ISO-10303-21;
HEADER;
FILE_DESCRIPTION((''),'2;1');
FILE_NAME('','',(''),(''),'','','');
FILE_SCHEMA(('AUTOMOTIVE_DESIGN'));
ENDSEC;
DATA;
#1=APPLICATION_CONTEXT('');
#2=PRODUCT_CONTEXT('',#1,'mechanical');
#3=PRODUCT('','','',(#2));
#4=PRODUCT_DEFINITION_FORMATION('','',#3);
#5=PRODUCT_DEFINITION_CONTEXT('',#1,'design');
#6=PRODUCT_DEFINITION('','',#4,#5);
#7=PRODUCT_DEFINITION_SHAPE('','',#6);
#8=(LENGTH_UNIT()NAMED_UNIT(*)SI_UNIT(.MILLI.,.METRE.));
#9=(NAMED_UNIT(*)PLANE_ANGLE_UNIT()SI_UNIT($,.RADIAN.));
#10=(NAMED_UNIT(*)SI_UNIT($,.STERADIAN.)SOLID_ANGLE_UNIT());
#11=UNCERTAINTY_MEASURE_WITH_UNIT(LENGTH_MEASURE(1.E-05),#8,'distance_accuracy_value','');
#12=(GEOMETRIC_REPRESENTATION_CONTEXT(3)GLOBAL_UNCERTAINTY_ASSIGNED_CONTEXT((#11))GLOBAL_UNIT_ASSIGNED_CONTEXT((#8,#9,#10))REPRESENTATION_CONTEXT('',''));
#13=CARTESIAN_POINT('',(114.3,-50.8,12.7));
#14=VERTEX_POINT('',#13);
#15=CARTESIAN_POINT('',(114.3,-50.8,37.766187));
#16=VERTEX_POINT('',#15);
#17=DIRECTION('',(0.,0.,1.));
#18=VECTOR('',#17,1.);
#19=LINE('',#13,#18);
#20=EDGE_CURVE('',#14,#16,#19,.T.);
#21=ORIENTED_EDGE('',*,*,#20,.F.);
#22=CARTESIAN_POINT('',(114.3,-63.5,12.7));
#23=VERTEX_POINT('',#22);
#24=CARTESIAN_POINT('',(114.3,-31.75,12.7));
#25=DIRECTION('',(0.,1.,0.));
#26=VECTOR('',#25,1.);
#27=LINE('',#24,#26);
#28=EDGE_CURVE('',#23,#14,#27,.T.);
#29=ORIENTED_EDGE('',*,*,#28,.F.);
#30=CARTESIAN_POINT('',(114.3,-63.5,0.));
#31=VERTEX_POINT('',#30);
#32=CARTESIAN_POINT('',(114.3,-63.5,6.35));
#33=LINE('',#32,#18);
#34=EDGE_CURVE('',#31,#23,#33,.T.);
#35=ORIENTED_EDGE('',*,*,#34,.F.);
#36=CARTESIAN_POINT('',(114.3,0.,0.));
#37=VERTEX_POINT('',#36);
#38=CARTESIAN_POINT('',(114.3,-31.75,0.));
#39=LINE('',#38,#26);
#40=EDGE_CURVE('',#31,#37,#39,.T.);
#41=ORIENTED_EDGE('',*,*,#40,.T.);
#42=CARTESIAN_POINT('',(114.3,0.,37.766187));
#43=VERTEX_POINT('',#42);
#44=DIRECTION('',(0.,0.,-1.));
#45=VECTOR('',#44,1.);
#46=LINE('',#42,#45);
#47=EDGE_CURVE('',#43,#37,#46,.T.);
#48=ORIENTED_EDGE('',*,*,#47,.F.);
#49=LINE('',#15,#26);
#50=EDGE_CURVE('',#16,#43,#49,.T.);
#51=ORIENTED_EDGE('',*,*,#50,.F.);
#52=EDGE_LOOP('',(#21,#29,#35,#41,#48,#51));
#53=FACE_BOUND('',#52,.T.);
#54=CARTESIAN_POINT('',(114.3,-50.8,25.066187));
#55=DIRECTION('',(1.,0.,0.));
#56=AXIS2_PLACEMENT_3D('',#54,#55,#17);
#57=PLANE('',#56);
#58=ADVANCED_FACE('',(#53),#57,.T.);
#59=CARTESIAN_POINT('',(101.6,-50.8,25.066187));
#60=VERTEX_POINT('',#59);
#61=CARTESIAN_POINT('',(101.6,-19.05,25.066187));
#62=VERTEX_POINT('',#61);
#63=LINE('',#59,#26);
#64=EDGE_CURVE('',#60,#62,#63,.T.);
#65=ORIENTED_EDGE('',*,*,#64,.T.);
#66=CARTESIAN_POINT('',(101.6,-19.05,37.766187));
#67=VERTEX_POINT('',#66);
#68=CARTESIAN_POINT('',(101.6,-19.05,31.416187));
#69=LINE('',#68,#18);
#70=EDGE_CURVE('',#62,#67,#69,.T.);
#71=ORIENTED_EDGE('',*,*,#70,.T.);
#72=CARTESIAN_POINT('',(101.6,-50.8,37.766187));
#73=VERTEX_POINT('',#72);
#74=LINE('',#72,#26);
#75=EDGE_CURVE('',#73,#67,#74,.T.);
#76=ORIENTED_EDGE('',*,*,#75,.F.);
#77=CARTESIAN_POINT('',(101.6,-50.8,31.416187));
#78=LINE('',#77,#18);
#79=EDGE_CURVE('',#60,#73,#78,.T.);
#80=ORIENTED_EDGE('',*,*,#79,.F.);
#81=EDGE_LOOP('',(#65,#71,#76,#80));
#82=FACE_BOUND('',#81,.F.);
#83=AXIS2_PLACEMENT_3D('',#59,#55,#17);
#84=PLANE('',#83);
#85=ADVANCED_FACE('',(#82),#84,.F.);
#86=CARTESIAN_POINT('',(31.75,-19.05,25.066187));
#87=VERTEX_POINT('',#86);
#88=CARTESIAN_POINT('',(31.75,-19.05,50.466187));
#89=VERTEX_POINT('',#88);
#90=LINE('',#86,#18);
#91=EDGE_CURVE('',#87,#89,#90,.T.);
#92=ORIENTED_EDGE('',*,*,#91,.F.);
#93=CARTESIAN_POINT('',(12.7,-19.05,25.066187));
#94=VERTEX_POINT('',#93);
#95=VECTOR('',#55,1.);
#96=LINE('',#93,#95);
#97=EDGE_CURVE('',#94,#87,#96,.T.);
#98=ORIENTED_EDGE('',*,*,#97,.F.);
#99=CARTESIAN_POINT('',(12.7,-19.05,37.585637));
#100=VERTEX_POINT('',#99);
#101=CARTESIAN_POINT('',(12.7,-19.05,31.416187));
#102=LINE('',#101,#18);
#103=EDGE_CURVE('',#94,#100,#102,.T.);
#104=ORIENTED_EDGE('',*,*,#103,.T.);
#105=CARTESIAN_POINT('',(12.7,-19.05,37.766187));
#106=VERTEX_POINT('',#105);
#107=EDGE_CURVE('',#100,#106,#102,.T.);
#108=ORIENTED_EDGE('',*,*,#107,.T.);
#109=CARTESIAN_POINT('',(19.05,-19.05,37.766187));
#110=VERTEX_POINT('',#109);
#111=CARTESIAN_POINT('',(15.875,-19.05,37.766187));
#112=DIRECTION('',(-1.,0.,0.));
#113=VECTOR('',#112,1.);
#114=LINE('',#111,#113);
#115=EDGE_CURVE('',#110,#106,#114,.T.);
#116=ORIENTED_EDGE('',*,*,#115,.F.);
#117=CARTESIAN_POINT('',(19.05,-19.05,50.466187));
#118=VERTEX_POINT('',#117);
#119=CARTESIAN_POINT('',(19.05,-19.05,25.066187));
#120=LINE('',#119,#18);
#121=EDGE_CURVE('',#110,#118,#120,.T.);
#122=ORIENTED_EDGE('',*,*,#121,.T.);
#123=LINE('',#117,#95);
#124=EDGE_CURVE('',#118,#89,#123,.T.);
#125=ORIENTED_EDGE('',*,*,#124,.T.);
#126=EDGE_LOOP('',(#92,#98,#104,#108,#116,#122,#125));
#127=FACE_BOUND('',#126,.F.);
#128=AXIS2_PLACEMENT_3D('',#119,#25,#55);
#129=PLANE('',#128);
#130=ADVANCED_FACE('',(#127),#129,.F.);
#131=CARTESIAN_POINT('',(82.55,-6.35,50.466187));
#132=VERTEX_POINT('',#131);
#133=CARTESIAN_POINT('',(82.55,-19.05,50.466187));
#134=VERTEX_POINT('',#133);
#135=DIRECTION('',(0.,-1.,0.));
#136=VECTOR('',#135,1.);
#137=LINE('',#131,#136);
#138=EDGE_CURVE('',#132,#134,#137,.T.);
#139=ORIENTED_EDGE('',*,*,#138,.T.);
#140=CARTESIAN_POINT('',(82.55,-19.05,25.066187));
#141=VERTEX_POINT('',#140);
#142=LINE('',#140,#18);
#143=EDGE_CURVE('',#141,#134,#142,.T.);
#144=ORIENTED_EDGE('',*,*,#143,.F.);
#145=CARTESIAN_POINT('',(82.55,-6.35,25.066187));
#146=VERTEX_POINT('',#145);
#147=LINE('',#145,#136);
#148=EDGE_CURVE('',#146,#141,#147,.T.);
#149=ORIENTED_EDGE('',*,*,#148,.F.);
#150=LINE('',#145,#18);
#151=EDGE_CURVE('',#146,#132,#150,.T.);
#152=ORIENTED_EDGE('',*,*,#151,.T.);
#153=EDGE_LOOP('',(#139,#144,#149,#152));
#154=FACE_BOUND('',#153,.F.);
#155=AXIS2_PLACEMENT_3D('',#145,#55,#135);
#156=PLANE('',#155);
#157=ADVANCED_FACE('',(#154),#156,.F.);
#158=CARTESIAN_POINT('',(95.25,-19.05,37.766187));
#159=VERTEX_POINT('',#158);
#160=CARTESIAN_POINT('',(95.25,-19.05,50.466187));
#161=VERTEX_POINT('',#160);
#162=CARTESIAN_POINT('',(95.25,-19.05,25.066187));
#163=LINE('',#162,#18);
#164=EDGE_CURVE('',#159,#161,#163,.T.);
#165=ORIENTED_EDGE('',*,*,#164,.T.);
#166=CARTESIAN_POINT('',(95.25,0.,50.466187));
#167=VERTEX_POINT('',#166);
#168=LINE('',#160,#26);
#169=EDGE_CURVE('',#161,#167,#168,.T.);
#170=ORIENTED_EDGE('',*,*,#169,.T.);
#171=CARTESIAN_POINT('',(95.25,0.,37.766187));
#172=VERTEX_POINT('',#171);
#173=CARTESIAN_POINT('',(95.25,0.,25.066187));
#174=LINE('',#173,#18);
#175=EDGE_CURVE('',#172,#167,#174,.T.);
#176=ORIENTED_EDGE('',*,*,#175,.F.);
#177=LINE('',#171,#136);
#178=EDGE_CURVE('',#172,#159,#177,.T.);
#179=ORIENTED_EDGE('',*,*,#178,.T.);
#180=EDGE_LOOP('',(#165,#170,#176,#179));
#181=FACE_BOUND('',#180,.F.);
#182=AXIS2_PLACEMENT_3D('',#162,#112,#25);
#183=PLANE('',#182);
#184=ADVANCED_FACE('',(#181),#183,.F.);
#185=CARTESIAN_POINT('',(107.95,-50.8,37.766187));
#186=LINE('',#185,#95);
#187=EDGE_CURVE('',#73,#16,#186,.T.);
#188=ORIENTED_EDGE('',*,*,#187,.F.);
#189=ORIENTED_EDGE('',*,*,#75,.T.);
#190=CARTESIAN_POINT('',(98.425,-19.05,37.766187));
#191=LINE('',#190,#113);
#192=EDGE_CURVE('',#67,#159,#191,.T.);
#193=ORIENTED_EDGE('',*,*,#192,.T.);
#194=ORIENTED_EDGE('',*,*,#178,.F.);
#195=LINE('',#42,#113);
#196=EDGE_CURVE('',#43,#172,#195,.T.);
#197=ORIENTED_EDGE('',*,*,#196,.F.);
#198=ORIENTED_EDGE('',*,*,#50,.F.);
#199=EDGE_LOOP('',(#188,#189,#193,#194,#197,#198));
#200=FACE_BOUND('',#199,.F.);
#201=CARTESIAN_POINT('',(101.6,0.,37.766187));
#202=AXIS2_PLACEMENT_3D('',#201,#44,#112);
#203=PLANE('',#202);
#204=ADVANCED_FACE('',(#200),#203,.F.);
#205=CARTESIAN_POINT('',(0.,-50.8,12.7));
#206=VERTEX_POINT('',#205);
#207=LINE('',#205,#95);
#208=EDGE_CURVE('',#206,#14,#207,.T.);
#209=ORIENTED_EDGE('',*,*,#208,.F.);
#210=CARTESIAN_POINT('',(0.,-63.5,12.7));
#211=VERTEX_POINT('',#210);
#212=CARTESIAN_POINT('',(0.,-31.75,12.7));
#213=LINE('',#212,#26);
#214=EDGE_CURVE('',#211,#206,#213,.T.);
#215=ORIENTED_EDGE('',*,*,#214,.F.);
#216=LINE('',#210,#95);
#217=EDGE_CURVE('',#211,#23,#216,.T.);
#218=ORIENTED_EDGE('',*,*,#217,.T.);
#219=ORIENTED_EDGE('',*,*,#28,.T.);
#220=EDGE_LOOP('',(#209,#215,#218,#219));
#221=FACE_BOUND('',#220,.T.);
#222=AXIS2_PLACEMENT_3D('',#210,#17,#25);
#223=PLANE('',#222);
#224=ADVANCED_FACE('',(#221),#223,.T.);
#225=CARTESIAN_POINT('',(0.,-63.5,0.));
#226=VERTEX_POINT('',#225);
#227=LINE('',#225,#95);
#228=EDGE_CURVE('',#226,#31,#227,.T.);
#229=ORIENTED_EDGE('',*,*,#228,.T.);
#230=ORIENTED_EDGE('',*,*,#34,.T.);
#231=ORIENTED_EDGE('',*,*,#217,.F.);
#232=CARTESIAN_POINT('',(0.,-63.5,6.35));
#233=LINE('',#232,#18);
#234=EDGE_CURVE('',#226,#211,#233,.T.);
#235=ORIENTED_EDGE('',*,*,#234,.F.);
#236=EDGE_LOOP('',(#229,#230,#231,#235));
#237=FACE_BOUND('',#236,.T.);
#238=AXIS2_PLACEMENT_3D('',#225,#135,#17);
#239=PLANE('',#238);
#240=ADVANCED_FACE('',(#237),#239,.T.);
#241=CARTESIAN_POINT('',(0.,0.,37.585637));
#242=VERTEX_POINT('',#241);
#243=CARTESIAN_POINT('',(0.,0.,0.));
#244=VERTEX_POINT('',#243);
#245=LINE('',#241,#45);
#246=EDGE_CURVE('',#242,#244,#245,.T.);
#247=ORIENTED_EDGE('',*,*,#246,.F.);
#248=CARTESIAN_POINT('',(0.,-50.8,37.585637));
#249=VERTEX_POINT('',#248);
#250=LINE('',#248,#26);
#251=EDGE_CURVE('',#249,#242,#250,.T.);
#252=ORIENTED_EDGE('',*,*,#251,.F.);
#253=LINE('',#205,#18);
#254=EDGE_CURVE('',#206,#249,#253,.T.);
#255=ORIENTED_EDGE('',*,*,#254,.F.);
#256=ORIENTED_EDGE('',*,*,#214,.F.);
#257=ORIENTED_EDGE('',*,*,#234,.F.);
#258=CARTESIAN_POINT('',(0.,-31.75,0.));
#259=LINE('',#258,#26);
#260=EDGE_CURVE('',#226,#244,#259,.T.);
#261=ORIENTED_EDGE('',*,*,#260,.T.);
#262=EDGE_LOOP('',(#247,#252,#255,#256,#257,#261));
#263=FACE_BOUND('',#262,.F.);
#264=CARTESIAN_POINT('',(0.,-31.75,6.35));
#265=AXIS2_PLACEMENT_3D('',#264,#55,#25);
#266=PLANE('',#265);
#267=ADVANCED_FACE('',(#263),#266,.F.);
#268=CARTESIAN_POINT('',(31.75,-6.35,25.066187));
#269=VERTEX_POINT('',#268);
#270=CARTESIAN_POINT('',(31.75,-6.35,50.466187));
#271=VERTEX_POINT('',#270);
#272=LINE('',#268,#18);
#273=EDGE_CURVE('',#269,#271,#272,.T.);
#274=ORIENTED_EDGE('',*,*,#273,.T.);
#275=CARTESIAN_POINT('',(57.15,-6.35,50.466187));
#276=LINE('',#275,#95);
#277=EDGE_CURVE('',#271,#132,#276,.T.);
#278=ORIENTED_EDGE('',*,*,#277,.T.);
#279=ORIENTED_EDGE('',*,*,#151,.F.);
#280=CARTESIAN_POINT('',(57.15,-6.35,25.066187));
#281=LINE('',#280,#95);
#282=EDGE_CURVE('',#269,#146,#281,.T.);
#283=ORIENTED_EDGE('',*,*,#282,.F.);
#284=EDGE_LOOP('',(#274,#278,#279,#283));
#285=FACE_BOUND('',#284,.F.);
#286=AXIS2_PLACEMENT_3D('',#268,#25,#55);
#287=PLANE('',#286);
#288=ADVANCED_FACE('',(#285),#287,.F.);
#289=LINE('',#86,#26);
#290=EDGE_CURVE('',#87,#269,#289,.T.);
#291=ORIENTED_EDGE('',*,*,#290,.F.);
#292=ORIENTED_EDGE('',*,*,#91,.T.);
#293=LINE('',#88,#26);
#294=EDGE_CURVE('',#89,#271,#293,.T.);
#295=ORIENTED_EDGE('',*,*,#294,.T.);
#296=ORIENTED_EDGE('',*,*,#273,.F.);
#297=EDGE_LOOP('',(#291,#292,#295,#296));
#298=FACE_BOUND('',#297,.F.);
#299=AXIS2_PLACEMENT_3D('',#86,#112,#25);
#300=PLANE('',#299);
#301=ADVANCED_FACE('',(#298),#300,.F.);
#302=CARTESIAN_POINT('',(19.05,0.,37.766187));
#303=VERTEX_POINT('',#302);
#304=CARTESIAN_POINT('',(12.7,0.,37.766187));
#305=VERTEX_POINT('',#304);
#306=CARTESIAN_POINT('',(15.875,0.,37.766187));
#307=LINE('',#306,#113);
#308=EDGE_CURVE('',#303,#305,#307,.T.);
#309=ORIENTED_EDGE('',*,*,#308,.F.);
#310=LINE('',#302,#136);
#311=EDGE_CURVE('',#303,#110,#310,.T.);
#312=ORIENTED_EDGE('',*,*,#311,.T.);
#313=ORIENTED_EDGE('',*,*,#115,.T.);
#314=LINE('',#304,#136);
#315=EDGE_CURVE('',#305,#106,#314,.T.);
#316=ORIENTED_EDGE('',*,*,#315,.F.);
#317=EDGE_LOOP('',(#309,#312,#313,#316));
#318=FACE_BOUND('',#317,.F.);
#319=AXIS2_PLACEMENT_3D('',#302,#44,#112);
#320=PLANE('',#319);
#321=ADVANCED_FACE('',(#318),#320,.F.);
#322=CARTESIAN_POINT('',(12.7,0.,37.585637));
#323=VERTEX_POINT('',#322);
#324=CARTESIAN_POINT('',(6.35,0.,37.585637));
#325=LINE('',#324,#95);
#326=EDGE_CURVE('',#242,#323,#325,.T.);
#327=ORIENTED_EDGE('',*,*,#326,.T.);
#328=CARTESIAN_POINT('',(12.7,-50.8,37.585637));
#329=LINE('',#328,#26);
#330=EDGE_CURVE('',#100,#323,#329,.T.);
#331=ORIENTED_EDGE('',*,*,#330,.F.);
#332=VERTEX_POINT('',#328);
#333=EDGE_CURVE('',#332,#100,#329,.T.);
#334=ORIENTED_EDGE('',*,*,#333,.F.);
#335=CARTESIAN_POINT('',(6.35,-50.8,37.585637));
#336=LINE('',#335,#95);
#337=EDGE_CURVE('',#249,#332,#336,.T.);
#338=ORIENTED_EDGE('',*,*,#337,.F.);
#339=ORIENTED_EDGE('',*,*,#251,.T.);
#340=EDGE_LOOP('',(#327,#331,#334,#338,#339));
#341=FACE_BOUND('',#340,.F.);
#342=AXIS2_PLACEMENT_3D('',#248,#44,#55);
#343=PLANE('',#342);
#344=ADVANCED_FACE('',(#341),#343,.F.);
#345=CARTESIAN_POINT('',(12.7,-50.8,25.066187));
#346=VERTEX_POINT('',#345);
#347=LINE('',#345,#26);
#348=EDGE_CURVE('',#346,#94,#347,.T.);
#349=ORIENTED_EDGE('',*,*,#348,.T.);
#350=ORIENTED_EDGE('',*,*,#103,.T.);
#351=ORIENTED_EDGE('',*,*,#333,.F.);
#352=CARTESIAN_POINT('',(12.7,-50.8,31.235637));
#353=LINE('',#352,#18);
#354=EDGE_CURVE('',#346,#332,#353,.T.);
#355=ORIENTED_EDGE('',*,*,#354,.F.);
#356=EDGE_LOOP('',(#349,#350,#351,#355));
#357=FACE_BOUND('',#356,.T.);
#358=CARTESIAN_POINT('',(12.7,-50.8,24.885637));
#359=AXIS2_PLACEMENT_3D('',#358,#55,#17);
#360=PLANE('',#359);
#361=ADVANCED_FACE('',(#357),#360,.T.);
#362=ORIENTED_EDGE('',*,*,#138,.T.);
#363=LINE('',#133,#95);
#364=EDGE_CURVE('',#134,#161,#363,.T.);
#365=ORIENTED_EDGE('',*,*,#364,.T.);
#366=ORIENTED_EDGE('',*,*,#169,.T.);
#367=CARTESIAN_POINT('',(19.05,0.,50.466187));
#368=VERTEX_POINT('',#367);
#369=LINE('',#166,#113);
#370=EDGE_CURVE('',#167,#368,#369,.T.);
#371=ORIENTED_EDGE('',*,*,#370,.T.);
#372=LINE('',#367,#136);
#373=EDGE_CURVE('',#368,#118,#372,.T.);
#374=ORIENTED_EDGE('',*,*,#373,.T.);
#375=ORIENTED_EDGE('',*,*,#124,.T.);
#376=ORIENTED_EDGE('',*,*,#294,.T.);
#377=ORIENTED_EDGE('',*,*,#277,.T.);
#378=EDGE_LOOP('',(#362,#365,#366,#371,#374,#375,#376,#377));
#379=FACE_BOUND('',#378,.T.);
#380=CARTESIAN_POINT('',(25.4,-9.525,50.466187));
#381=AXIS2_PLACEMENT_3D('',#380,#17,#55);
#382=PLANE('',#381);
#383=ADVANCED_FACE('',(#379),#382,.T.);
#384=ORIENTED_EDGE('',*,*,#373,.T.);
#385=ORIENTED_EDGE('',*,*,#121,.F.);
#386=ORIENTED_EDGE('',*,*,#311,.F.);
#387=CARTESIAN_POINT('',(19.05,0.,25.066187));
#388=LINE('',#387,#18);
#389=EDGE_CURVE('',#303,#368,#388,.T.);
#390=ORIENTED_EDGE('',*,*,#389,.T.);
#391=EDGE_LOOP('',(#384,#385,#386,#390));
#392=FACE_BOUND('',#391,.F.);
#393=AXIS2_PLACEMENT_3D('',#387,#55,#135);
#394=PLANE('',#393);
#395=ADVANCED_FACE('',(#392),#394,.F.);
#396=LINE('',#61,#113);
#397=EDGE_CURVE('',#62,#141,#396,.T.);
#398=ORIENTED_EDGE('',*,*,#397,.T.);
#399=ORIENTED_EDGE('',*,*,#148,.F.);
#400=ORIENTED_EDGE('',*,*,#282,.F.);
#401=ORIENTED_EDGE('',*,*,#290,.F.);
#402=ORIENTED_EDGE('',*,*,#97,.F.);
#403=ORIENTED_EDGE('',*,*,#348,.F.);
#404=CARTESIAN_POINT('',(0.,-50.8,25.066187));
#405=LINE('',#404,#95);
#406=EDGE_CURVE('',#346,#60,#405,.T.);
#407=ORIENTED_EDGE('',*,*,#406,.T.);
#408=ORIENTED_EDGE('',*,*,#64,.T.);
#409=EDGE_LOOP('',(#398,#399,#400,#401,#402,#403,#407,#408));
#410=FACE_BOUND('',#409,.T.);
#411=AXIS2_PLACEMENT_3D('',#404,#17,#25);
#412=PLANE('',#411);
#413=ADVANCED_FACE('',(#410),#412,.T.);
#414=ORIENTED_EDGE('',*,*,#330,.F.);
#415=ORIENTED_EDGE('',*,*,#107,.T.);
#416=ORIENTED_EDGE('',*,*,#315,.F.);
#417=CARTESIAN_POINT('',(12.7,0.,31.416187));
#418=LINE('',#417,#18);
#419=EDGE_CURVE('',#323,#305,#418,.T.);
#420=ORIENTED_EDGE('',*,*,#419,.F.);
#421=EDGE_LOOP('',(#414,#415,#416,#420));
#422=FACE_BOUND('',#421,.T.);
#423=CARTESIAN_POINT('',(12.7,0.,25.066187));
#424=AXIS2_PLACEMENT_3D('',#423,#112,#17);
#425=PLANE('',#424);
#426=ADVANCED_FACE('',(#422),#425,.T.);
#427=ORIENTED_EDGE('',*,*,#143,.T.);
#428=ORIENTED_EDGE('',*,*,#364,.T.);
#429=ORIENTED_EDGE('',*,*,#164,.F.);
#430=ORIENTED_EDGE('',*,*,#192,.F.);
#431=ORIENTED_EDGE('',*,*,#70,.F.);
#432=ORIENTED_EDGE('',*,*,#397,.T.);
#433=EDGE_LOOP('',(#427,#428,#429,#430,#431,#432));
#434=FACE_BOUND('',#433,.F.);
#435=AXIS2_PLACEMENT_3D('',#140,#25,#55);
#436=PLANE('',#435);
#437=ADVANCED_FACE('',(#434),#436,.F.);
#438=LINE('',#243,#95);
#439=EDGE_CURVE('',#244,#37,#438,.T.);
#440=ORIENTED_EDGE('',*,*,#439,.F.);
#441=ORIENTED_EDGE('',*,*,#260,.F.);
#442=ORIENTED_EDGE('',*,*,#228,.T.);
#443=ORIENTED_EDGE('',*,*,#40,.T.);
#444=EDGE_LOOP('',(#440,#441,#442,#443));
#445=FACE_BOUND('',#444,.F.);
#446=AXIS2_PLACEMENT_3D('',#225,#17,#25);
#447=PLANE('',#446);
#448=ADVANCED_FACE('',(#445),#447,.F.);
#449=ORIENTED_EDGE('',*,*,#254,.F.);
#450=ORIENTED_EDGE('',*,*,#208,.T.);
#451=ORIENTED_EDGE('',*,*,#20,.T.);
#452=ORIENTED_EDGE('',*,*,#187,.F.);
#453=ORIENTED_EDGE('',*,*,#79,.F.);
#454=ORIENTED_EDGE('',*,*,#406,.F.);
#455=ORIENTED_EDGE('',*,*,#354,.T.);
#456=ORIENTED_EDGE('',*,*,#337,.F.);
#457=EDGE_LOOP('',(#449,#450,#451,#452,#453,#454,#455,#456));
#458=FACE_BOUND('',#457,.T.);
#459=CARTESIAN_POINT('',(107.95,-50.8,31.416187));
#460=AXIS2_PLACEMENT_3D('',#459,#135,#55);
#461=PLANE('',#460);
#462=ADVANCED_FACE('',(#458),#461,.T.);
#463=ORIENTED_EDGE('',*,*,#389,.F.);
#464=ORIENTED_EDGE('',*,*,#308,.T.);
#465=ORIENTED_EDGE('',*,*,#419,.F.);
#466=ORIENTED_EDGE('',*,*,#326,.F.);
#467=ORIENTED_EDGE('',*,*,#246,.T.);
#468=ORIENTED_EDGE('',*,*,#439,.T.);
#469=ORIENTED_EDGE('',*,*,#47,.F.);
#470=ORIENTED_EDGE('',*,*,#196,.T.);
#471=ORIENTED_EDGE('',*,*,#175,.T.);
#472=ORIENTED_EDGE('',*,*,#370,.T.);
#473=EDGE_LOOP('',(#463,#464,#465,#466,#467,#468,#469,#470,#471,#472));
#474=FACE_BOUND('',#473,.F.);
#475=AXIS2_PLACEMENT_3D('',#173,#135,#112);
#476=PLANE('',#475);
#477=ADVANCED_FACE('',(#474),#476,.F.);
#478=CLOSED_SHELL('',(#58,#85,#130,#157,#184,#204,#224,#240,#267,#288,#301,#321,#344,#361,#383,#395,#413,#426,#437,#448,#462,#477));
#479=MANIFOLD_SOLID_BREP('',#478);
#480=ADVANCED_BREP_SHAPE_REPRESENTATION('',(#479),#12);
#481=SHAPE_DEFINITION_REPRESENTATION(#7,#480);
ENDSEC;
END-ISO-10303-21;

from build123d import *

# Parameters (mm, degrees)
F0_W      = 63.5
F0_H      = 12.7
F1_DEPTH  = 114.3
F2_W      = 50.8
F2_H      = 12.7
F3_DEPTH  = 114.3
F6_W      = 12.7
F6_H      = 12.7
F7_DEPTH  = 50.8
F8_W      = 12.7
F8_H      = 12.7
F9_DEPTH  = 50.8
F10_W     = 6.35
F10_H     = 12.7
F11_DEPTH = 19.05
F12_DEPTH = 19.05
F13_W     = 50.8
F13_H     = 6.35
F14_DEPTH = 25.4


with BuildPart() as f1:
    # F0 (on Right) → F1 (new body)
    with BuildSketch(Plane.YZ):
        with Locations((-31.75, 6.35)):
            Rectangle(F0_W, F0_H)
    extrude(amount=F1_DEPTH)

    # F2 (on Right) → F3 (join)
    with BuildSketch(Plane.YZ):
        with Locations((-25.4, 18.7161865272)):
            Rectangle(F2_W, F2_H)
    extrude(amount=F3_DEPTH)

    # F6 (on offset) → F7 (join)
    with BuildSketch(Plane.XZ.offset(50.8)):
        with Locations((6.35, 31.2356372522)):
            Rectangle(F6_W, F6_H)
    extrude(amount=-F7_DEPTH)

    # F8 (on face) → F9 (join)
    with BuildSketch(Plane.XZ.offset(50.8)):
        with Locations((107.95, 31.4161865272)):
            Rectangle(F8_W, F8_H)
    extrude(amount=-F9_DEPTH)

    # F10 (on face) → F11 (join)
    with BuildSketch(Plane(origin=(0, 0, 0), x_dir=(-1, 0, 0), z_dir=(0, 1, 0))):
        with Locations((-98.425, 31.4161865272)):
            Rectangle(F10_W, F10_H)
        with Locations((-15.875, 31.4161865272)):
            Rectangle(F10_W, F10_H)
    extrude(amount=-F11_DEPTH)

    # F10 (on face) → F12 (join)
    with BuildSketch(Plane(origin=(0, 0, 0), x_dir=(-1, 0, 0), z_dir=(0, 1, 0))):
        with Locations((-98.425, 31.4161865272)):
            Rectangle(F10_W, F10_H)
        with Locations((-15.875, 31.4161865272)):
            Rectangle(F10_W, F10_H)
    extrude(amount=-F12_DEPTH)

    # F13 (on face) → F14 (join)
    with BuildSketch(Plane.XY.offset(25.0661865272)):
        Polygon((31.75, 0), (19.05, 0), (19.05, -19.05), (31.75, -19.05), (31.75, -6.35), align=None)
        with Locations((57.15, -3.175)):
            Rectangle(F13_W, F13_H)
        Polygon((95.25, 0), (82.55, 0), (82.55, -6.35), (82.55, -19.05), (95.25, -19.05), align=None)
    extrude(amount=F14_DEPTH)


solid = f1.part
